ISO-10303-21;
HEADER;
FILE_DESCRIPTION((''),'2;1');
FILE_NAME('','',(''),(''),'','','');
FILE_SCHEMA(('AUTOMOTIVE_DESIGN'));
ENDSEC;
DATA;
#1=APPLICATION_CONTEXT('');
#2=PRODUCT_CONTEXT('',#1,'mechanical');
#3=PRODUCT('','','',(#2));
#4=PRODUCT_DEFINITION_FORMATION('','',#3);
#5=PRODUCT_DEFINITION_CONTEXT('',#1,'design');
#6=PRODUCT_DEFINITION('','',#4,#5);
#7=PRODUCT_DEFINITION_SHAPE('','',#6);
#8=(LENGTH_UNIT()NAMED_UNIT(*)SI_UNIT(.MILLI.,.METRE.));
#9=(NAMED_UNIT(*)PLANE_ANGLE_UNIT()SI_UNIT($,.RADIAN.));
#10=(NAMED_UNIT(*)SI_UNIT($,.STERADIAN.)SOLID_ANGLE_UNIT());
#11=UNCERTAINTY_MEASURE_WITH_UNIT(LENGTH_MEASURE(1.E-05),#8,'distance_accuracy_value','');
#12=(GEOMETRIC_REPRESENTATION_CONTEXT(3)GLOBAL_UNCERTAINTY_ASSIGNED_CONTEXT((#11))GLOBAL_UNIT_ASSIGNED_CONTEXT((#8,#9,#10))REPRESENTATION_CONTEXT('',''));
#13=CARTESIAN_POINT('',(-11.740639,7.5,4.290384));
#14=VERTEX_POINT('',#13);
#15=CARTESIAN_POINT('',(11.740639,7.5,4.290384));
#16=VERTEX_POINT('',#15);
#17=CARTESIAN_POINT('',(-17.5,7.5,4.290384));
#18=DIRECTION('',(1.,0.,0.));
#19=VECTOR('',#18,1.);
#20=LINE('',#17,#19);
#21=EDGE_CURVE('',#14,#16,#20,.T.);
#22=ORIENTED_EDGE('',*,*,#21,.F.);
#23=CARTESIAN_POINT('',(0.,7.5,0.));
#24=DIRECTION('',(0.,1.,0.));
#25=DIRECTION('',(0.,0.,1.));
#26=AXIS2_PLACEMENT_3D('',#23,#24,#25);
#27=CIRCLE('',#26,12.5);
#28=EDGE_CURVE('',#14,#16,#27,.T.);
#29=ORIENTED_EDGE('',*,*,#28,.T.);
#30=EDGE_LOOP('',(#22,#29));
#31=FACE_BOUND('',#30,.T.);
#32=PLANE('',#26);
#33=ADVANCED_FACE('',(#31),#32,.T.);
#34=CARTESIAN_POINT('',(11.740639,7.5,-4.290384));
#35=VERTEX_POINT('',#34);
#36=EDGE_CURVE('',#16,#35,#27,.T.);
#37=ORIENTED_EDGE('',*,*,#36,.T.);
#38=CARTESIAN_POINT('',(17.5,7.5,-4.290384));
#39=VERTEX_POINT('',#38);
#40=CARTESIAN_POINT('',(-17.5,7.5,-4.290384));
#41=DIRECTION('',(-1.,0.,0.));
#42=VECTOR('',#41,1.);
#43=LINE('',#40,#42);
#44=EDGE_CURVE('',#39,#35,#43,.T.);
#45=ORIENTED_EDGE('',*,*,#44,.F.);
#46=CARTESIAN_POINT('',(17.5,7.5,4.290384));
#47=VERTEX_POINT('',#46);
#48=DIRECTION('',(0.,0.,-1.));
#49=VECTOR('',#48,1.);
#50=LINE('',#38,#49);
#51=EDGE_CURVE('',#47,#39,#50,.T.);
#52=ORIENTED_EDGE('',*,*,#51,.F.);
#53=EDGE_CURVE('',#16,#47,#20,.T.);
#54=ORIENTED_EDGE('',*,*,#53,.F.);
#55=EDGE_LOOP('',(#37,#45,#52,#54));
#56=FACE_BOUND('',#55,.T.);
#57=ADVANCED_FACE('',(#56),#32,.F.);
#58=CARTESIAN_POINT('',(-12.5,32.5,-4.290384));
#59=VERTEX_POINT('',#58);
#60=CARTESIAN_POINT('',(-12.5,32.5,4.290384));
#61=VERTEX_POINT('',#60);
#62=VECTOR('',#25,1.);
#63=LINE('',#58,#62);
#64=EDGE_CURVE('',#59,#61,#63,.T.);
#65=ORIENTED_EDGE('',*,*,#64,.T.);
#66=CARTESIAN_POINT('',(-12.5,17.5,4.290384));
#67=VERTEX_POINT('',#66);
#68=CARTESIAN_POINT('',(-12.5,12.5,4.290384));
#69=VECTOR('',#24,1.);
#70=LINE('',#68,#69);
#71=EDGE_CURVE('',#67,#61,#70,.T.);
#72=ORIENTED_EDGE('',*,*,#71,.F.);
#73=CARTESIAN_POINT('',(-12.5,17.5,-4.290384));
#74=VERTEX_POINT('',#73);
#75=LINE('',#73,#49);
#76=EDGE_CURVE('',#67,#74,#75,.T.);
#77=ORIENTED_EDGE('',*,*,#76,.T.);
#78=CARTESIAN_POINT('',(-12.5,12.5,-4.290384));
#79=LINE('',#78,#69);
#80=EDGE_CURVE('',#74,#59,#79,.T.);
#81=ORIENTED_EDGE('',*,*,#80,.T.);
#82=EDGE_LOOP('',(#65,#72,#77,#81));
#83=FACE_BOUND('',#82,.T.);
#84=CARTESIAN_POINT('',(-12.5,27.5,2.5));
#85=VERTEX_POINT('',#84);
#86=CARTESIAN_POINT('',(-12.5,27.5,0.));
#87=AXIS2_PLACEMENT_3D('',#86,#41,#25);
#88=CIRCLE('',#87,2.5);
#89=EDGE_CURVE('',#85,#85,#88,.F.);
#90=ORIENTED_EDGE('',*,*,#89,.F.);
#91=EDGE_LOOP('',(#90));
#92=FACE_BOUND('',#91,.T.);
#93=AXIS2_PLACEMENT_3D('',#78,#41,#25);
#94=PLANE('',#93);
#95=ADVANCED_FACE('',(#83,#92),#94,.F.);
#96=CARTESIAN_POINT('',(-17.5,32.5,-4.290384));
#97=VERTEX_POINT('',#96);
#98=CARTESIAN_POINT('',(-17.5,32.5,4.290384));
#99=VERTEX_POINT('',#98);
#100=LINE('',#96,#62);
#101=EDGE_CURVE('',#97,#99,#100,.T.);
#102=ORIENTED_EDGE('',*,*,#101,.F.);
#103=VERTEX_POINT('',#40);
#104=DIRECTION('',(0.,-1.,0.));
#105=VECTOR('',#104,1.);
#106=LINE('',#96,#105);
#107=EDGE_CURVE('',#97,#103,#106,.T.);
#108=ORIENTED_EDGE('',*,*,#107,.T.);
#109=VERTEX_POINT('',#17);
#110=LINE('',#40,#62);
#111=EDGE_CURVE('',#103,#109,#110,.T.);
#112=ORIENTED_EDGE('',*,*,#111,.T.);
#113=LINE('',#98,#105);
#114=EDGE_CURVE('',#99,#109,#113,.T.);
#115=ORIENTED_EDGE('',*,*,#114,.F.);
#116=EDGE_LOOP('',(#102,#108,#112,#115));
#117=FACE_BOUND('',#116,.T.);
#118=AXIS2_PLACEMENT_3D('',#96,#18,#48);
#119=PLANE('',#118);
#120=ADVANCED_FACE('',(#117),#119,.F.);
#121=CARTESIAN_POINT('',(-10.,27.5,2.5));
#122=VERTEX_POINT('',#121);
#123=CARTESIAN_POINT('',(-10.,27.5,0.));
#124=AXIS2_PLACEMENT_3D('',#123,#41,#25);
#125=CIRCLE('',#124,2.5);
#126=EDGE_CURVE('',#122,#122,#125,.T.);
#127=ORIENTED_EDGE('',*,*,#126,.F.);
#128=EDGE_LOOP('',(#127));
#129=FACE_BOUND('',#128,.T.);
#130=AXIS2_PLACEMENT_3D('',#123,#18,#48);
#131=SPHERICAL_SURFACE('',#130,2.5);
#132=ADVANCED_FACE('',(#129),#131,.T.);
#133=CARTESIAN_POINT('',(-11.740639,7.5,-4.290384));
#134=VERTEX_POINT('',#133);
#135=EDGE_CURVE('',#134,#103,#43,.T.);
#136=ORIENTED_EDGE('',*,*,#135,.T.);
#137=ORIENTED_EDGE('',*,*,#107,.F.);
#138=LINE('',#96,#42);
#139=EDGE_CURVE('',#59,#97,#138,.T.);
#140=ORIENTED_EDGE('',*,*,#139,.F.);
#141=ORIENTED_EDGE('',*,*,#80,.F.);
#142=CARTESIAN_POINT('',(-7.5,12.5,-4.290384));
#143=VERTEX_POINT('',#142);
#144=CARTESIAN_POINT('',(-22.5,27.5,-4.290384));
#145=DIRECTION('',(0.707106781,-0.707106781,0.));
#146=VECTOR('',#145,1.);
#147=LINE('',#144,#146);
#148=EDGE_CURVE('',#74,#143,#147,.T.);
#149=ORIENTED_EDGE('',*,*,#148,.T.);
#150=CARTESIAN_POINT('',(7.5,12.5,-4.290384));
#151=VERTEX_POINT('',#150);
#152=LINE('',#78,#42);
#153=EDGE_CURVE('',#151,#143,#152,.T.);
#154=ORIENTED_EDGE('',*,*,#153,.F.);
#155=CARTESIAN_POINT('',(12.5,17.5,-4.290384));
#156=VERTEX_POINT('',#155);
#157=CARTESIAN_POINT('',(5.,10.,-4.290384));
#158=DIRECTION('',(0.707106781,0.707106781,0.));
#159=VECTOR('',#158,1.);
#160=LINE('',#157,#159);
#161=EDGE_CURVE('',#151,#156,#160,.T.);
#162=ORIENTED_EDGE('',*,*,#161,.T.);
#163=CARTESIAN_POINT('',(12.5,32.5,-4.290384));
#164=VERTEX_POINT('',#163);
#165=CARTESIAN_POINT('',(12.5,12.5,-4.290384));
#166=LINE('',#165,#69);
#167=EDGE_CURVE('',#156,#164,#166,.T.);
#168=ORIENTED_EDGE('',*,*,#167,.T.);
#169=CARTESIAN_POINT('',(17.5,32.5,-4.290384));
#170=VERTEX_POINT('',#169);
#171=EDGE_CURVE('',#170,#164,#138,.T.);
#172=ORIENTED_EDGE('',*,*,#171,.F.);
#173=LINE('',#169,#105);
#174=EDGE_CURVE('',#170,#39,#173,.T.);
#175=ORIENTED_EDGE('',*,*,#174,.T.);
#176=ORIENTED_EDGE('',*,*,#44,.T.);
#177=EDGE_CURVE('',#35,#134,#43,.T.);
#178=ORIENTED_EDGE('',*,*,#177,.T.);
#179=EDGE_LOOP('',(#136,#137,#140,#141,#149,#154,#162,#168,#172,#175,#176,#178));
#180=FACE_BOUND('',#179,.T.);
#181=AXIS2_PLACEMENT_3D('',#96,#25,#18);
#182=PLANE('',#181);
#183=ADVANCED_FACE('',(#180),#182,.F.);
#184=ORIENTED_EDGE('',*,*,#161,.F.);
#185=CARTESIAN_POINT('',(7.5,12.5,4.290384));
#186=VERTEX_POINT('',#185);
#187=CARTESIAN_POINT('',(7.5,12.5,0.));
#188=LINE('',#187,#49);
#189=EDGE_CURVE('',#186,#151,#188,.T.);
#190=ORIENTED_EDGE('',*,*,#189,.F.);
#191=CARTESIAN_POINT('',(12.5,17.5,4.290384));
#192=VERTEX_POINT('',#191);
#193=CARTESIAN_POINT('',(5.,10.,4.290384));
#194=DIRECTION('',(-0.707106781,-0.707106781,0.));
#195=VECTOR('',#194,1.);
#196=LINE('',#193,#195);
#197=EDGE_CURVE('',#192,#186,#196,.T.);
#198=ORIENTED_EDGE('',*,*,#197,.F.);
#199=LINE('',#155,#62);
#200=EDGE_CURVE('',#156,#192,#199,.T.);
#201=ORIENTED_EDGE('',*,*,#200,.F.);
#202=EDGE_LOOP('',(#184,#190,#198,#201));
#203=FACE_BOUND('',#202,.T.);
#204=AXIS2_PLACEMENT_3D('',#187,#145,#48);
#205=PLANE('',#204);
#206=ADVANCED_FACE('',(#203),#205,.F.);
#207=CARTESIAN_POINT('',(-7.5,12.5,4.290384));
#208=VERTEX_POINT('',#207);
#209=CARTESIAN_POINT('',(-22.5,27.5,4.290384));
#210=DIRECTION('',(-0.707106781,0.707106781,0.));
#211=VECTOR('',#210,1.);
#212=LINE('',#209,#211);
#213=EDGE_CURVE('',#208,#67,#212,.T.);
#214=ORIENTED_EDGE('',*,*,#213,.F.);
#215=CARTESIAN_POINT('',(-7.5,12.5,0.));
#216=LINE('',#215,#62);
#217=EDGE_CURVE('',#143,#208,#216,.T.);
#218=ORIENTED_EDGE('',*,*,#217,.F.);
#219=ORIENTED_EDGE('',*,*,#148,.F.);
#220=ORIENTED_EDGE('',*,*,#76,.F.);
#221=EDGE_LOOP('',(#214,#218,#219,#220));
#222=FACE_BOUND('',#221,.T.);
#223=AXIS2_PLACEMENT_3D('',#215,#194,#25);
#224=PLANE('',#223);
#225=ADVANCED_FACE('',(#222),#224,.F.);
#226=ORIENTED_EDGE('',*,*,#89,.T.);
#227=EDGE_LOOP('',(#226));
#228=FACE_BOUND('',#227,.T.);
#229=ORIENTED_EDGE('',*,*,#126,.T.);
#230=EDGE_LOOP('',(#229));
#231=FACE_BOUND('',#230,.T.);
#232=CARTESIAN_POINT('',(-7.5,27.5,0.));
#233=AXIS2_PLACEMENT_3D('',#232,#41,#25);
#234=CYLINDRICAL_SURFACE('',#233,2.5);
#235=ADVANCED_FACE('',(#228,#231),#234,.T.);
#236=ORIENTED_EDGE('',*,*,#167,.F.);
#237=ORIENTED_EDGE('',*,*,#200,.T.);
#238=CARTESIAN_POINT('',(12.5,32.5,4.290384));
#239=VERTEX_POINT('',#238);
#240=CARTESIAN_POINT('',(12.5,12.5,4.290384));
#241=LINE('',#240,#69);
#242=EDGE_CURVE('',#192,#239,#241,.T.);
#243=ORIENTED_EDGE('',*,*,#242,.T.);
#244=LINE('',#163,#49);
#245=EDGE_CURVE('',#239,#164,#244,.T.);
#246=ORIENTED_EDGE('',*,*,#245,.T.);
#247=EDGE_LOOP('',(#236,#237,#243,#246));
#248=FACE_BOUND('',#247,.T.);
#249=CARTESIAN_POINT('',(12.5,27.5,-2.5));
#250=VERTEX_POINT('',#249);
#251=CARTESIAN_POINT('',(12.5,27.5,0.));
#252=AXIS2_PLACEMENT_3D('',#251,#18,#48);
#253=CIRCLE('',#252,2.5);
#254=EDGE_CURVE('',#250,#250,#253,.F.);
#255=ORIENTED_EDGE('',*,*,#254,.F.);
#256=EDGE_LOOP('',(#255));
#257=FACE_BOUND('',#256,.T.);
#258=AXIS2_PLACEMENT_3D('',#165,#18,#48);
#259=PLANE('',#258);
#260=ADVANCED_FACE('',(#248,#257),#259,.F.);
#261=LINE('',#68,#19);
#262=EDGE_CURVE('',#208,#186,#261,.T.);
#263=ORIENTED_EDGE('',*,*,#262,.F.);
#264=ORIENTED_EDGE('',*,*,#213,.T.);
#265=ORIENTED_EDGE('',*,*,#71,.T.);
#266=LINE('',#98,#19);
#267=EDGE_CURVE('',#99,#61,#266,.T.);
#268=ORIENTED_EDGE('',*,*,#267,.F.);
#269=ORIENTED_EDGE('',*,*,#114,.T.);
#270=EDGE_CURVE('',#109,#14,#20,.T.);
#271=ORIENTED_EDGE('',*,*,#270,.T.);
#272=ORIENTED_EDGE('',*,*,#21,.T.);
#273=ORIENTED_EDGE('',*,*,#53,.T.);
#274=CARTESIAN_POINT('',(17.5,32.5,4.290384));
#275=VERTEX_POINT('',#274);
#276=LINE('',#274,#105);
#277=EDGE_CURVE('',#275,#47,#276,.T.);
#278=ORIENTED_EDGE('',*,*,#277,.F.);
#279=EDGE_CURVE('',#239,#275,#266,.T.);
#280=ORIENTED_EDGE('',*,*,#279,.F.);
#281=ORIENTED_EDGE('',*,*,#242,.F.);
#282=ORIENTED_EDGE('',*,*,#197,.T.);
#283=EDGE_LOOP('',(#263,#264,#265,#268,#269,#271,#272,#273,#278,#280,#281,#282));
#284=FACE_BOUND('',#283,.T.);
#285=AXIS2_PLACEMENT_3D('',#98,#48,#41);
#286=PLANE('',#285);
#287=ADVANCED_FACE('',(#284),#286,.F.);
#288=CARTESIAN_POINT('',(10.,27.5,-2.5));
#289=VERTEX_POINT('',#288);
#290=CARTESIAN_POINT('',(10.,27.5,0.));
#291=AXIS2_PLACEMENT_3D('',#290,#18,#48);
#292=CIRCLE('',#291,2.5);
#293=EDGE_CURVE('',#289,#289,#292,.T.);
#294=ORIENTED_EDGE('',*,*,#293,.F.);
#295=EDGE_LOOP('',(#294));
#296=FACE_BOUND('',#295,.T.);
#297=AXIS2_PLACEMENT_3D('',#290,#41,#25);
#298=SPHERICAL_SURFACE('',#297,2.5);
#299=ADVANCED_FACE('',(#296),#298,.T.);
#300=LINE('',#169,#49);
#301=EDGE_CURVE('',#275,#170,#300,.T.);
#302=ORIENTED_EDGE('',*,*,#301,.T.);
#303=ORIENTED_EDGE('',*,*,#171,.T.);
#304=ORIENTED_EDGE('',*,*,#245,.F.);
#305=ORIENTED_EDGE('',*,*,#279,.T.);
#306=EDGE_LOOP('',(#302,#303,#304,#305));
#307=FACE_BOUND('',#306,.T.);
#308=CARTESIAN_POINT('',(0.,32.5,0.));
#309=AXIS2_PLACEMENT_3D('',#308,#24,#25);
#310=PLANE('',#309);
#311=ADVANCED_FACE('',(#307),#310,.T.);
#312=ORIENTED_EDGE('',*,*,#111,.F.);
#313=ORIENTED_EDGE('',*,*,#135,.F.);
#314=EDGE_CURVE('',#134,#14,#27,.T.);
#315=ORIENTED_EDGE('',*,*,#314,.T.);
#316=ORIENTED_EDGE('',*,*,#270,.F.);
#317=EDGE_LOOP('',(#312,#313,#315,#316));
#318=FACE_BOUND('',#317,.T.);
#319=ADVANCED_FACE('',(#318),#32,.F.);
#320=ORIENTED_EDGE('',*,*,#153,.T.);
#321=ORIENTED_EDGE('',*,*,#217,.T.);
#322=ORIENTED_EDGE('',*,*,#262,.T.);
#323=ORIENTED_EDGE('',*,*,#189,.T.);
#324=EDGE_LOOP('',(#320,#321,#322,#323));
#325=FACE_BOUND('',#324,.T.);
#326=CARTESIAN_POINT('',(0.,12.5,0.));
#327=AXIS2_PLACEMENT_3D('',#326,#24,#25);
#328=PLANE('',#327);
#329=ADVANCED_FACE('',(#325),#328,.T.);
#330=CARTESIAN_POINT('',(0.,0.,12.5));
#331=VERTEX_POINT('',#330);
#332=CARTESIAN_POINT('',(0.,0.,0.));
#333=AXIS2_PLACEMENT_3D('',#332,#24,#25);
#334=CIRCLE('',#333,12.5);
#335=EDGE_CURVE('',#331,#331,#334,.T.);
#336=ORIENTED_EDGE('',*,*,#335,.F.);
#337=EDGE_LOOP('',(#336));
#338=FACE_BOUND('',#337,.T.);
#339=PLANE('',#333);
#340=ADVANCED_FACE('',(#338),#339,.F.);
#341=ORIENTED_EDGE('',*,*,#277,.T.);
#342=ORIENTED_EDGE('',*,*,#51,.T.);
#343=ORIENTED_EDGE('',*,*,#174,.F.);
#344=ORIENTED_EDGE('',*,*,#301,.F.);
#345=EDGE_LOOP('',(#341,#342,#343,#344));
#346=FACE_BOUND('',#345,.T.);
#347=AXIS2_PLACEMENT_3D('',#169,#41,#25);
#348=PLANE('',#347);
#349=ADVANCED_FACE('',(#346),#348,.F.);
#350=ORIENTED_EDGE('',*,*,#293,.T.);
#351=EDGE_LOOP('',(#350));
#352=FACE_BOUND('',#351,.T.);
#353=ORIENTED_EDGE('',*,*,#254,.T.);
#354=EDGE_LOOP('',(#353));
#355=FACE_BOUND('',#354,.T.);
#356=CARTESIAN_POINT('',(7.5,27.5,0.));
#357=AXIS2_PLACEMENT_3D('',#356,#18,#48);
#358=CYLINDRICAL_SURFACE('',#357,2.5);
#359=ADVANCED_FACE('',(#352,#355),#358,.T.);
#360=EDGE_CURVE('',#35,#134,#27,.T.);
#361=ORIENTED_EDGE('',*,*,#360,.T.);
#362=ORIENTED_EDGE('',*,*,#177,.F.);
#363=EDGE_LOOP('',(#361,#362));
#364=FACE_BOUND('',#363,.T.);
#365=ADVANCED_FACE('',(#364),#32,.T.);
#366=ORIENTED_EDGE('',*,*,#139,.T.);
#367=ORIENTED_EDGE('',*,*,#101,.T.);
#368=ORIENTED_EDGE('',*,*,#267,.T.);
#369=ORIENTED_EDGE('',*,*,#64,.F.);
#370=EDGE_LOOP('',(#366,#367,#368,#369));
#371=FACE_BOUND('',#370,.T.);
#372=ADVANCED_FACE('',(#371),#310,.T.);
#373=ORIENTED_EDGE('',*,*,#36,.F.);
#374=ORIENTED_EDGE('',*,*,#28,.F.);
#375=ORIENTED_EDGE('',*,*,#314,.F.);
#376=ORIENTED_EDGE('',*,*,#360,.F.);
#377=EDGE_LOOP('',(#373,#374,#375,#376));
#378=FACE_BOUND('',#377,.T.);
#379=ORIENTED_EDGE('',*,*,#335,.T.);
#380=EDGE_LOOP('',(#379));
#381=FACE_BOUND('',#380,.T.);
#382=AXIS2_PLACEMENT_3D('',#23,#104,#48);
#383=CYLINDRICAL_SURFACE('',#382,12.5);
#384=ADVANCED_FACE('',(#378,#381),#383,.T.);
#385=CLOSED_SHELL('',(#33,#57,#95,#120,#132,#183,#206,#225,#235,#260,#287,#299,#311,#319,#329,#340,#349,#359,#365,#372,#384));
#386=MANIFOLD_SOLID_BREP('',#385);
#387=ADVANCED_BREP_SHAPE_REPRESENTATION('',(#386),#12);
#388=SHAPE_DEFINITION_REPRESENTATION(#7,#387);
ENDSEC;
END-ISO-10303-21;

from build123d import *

# Parameters (mm, degrees)
SKETCH1_R           = 12.5
BOSS_EXTRUDE1_DEPTH = 7.5
SKETCH2_W           = 35
SKETCH2_H           = 8.580767914
BOSS_EXTRUDE2_DEPTH = 25
SKETCH3_W           = 25
SKETCH3_H           = 8.580767914
CUT_EXTRUDE1_DEPTH  = 20
SKETCH4_R           = 2.5
BOSS_EXTRUDE3_DEPTH = 5
SKETCH5_R           = 2.5
BOSS_EXTRUDE4_DEPTH = 5
CHAMFER1_SIZE       = 5
CHAMFER2_SIZE       = 5
FILLET1_R           = 2.5
FILLET2_R           = 2.5


with BuildPart() as part:
    # Sketch1 → Boss-Extrude1 (new body)
    with BuildSketch(Plane(origin=(0, 0, 0), x_dir=(1, 0, 0), z_dir=(0, 1, 0))):
        Circle(SKETCH1_R)
    extrude(amount=BOSS_EXTRUDE1_DEPTH)

    # Sketch2 → Boss-Extrude2 (add)
    with BuildSketch(Plane(origin=(0, 7.5, 0), x_dir=(1, 0, 0), z_dir=(0, 1, 0))):
        Rectangle(SKETCH2_W, SKETCH2_H)
    extrude(amount=BOSS_EXTRUDE2_DEPTH)

    # Sketch3 → Cut-Extrude1 (cut)
    with BuildSketch(Plane(origin=(0, 32.5, 0), x_dir=(1, 0, 0), z_dir=(0, 1, 0))):
        Rectangle(SKETCH3_W, SKETCH3_H)
    extrude(amount=-CUT_EXTRUDE1_DEPTH, mode=Mode.SUBTRACT)

    # Sketch4 → Boss-Extrude3 (add)
    with BuildSketch(Plane(origin=(-12.5, 0, 0), x_dir=(0, 0, -1), z_dir=(1, 0, 0))):
        with Locations((0, 27.5)):
            Circle(SKETCH4_R)
    extrude(amount=BOSS_EXTRUDE3_DEPTH)

    # Sketch5 → Boss-Extrude4 (add)
    with BuildSketch(Plane.ZY.offset(-12.5)):
        with Locations((0, 27.5)):
            Circle(SKETCH5_R)
    extrude(amount=BOSS_EXTRUDE4_DEPTH)

    # Chamfer1
    chamfer1_edges = [part.edges().sort_by_distance(p)[0] for p in [
        (-12.5, 12.5, 0),
    ]]
    chamfer(chamfer1_edges, length=CHAMFER1_SIZE)

    # Chamfer2
    chamfer2_edges = [part.edges().sort_by_distance(p)[0] for p in [
        (12.5, 12.5, 0),
    ]]
    chamfer(chamfer2_edges, length=CHAMFER2_SIZE)

    # Fillet1
    fillet1_edges = [part.edges().sort_by_distance(p)[0] for p in [
        (-7.5, 27.5, 2.5),
    ]]
    fillet(fillet1_edges, radius=FILLET1_R)

    # Fillet2
    fillet2_edges = [part.edges().sort_by_distance(p)[0] for p in [
        (7.5, 27.5, -2.5),
    ]]
    fillet(fillet2_edges, radius=FILLET2_R)


solid = part.part
